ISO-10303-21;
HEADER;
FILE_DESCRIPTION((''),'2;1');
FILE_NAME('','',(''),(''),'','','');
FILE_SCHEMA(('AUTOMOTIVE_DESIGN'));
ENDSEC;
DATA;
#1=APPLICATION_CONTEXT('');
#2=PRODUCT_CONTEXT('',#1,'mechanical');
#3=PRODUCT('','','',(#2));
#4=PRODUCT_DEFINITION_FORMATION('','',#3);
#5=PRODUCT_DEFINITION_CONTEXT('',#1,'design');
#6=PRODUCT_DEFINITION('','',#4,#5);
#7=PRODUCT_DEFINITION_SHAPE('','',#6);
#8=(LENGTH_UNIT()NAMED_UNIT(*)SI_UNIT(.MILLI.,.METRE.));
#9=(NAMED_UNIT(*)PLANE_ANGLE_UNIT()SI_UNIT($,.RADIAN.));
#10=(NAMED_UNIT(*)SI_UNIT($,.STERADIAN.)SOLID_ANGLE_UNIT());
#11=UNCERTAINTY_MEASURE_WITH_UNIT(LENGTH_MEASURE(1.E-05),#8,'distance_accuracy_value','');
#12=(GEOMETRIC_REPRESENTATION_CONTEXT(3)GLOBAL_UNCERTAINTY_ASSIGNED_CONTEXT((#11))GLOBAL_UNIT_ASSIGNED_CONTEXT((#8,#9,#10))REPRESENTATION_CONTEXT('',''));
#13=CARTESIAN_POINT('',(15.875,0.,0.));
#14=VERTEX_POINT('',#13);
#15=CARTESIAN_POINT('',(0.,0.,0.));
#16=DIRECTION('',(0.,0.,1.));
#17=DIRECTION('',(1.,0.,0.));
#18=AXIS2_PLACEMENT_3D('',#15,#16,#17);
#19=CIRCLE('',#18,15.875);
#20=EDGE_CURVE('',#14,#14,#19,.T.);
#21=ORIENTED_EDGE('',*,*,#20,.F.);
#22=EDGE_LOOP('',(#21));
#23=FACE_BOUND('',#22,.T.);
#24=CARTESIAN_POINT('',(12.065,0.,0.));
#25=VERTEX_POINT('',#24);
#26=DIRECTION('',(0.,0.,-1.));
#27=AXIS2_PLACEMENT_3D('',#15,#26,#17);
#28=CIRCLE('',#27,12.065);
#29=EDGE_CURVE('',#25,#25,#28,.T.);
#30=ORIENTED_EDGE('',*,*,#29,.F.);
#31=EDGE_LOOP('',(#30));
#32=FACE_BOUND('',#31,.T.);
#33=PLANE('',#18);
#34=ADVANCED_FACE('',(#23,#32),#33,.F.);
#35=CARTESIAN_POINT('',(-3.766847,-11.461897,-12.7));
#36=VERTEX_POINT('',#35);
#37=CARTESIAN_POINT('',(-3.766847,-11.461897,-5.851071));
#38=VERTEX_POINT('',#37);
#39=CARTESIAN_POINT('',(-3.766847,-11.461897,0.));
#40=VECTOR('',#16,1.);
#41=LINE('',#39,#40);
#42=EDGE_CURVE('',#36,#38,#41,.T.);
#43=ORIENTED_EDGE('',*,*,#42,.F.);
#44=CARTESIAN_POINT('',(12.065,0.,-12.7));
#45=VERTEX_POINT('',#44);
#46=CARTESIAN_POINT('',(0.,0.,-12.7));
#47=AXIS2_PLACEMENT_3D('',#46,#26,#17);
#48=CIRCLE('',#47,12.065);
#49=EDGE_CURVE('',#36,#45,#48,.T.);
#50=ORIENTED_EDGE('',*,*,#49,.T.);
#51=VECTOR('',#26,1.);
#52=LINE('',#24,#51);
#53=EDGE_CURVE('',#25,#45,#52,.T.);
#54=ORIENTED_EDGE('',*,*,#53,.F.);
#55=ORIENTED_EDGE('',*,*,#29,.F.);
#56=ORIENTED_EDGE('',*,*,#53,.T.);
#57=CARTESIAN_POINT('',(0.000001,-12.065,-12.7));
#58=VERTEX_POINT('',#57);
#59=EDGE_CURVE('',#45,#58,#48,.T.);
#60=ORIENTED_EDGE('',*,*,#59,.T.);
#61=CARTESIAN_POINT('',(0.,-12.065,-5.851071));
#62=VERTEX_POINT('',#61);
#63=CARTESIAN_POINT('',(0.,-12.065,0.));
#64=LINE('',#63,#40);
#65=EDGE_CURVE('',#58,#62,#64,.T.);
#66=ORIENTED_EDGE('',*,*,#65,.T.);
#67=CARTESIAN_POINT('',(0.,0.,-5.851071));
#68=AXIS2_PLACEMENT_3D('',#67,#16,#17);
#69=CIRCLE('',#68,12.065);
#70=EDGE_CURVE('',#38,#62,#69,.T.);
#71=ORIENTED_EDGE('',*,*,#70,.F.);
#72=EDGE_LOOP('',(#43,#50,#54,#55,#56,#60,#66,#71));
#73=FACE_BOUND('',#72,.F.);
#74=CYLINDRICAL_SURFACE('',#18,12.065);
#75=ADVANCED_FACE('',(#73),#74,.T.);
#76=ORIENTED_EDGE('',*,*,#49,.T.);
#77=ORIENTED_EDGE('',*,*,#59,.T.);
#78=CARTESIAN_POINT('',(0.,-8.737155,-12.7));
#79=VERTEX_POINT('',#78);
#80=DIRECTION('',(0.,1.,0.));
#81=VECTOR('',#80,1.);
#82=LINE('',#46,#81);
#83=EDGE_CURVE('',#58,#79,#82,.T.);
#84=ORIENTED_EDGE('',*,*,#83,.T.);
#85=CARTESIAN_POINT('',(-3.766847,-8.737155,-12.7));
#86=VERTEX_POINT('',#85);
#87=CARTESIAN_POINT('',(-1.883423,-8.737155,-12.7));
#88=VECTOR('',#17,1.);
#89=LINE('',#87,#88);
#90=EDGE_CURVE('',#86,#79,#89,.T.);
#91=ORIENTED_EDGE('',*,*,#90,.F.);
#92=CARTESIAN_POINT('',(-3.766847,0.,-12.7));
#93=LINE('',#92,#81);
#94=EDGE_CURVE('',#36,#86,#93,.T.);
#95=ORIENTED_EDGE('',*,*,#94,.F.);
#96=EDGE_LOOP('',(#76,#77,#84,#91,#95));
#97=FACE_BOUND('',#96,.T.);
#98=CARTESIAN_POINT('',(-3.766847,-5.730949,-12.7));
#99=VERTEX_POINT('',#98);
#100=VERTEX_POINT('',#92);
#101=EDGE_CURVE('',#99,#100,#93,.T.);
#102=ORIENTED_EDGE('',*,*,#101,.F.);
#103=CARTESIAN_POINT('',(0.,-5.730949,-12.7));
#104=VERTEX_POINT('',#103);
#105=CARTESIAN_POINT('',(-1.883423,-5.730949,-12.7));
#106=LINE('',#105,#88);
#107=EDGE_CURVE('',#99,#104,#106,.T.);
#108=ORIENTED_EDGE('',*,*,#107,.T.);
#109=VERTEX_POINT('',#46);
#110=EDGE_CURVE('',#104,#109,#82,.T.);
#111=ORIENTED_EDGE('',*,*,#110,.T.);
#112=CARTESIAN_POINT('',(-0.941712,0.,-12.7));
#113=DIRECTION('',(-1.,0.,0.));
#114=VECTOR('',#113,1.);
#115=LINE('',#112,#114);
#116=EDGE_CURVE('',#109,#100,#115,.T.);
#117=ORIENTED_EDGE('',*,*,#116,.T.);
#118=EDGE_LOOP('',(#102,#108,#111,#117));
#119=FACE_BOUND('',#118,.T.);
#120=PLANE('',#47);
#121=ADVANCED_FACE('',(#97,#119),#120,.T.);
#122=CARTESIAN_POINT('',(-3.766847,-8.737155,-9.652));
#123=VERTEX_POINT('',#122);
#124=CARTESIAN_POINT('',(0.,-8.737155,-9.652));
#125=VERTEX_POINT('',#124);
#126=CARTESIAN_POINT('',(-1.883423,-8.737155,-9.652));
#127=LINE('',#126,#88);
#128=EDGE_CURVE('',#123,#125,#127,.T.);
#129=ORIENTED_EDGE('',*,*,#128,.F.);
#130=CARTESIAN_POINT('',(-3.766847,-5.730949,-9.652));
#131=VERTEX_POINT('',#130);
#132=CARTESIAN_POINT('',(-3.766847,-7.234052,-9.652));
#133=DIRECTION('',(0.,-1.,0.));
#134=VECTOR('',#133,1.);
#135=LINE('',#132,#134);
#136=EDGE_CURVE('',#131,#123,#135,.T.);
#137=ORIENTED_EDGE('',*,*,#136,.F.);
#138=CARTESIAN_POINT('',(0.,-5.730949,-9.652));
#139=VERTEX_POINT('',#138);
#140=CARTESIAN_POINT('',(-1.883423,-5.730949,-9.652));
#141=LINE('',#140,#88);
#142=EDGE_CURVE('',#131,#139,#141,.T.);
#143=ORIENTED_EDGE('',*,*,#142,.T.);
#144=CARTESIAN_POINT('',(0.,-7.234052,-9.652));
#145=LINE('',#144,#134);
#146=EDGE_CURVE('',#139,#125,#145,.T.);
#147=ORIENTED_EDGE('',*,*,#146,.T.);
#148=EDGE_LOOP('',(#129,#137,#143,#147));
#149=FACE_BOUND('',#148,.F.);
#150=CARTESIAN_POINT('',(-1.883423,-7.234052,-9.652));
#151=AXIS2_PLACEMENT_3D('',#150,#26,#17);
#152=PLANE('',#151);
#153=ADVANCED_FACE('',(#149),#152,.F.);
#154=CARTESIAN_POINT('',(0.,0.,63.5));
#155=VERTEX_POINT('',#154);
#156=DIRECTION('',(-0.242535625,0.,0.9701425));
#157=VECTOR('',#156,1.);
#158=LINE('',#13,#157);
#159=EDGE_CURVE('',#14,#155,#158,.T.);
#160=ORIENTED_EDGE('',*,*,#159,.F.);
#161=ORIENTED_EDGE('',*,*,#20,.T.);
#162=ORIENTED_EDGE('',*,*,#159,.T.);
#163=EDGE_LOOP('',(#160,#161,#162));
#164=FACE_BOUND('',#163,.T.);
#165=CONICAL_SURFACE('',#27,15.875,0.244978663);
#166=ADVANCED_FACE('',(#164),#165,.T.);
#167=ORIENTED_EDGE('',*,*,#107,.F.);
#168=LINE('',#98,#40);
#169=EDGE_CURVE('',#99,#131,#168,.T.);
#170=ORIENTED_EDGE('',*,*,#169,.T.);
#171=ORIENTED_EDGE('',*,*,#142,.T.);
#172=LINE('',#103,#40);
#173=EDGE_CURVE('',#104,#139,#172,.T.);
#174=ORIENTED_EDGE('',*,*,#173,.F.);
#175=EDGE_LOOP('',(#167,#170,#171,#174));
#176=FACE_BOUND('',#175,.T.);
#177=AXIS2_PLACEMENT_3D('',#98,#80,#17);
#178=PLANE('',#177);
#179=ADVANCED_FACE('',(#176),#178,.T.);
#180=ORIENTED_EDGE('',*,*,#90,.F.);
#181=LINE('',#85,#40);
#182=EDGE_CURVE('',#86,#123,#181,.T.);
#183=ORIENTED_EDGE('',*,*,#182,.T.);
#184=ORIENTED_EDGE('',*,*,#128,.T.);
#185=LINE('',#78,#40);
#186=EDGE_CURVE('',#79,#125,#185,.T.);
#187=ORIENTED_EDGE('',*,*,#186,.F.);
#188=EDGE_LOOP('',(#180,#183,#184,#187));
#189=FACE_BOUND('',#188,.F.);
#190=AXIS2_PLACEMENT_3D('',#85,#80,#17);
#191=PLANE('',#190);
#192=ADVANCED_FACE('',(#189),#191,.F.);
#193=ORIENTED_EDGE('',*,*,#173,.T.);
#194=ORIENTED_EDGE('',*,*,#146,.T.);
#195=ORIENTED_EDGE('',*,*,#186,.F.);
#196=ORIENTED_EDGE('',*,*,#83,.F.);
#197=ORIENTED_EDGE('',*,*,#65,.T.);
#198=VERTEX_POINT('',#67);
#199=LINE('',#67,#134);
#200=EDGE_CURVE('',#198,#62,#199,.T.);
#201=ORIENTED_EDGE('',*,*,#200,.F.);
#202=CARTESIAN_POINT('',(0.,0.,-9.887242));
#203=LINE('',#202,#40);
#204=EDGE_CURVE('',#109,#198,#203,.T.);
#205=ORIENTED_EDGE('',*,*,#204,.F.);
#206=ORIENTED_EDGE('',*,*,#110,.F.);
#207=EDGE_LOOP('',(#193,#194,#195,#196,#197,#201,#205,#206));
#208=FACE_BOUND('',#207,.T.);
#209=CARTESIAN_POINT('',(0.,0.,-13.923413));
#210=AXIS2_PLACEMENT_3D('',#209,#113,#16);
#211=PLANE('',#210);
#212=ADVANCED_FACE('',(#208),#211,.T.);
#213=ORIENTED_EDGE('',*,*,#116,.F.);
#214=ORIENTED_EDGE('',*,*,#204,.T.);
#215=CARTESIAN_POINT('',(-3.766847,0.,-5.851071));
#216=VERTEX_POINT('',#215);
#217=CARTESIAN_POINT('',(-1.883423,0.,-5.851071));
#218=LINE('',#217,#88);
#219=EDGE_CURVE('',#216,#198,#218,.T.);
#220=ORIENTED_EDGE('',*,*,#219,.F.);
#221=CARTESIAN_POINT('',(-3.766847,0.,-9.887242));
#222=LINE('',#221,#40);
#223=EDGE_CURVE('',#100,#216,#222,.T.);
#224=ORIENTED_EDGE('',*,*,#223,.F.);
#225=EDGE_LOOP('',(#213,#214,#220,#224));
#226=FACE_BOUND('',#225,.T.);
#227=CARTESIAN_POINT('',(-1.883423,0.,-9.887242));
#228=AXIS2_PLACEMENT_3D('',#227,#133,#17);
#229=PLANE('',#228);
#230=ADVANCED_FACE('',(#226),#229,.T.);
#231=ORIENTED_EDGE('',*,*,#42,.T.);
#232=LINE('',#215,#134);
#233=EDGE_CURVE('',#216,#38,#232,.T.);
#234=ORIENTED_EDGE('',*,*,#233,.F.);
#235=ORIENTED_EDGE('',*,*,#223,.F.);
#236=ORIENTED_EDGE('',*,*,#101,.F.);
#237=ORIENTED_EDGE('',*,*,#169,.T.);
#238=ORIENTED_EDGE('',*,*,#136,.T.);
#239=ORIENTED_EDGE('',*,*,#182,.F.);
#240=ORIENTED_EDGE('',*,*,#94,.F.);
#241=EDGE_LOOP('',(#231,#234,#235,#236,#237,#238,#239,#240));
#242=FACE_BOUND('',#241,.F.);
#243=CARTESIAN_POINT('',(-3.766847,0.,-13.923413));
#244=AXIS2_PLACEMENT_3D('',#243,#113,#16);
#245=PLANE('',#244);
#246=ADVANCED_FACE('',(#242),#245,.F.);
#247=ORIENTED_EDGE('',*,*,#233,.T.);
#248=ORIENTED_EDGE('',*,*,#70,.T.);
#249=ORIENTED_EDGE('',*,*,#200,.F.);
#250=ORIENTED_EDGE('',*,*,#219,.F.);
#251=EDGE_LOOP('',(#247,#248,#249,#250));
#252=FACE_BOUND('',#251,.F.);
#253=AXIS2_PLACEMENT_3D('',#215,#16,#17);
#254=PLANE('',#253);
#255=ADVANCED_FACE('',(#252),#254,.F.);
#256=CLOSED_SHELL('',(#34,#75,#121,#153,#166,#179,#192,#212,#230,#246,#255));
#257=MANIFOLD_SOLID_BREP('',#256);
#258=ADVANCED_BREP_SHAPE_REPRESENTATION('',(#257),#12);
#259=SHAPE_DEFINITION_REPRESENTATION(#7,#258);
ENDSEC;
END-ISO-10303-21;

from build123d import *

# Parameters (mm, degrees)
F2_R     = 12.065
F3_DEPTH = 12.7
F4_W     = 3.766847
F4_H     = 8.072342
F5_DEPTH = 12.7
F6_W     = 3.766847
F6_H     = 3.006206
F7_DEPTH = 3.048


with BuildPart() as f1:
    # F0 (on Front) → F1 (revolve)
    with BuildSketch(Plane.XZ):
        Polygon((0, 63.5), (0, 0), (15.875, 0), align=None)
    revolve(axis=Axis((0, 0, 31.75), (0, 0, 1)))

    # F2 (on face) → F3 (join)
    with BuildSketch(Plane(origin=(0, 0, 0), x_dir=(1, 0, 0), z_dir=(0, 0, -1))):
        Circle(F2_R)
    extrude(amount=F3_DEPTH)

    # F4 (on Front) → F5 (cut)
    with BuildSketch(Plane.XZ):
        with Locations((-1.883423, -9.887242)):
            Rectangle(F4_W, F4_H)
    extrude(amount=F5_DEPTH, mode=Mode.SUBTRACT)

    # F6 (on face) → F7 (join)
    with BuildSketch(Plane(origin=(0, 0, -12.7), x_dir=(1, 0, 0), z_dir=(0, 0, -1))):
        with Locations((-1.883423, 7.234052)):
            Rectangle(F6_W, F6_H)
    extrude(amount=-F7_DEPTH)


solid = f1.part
